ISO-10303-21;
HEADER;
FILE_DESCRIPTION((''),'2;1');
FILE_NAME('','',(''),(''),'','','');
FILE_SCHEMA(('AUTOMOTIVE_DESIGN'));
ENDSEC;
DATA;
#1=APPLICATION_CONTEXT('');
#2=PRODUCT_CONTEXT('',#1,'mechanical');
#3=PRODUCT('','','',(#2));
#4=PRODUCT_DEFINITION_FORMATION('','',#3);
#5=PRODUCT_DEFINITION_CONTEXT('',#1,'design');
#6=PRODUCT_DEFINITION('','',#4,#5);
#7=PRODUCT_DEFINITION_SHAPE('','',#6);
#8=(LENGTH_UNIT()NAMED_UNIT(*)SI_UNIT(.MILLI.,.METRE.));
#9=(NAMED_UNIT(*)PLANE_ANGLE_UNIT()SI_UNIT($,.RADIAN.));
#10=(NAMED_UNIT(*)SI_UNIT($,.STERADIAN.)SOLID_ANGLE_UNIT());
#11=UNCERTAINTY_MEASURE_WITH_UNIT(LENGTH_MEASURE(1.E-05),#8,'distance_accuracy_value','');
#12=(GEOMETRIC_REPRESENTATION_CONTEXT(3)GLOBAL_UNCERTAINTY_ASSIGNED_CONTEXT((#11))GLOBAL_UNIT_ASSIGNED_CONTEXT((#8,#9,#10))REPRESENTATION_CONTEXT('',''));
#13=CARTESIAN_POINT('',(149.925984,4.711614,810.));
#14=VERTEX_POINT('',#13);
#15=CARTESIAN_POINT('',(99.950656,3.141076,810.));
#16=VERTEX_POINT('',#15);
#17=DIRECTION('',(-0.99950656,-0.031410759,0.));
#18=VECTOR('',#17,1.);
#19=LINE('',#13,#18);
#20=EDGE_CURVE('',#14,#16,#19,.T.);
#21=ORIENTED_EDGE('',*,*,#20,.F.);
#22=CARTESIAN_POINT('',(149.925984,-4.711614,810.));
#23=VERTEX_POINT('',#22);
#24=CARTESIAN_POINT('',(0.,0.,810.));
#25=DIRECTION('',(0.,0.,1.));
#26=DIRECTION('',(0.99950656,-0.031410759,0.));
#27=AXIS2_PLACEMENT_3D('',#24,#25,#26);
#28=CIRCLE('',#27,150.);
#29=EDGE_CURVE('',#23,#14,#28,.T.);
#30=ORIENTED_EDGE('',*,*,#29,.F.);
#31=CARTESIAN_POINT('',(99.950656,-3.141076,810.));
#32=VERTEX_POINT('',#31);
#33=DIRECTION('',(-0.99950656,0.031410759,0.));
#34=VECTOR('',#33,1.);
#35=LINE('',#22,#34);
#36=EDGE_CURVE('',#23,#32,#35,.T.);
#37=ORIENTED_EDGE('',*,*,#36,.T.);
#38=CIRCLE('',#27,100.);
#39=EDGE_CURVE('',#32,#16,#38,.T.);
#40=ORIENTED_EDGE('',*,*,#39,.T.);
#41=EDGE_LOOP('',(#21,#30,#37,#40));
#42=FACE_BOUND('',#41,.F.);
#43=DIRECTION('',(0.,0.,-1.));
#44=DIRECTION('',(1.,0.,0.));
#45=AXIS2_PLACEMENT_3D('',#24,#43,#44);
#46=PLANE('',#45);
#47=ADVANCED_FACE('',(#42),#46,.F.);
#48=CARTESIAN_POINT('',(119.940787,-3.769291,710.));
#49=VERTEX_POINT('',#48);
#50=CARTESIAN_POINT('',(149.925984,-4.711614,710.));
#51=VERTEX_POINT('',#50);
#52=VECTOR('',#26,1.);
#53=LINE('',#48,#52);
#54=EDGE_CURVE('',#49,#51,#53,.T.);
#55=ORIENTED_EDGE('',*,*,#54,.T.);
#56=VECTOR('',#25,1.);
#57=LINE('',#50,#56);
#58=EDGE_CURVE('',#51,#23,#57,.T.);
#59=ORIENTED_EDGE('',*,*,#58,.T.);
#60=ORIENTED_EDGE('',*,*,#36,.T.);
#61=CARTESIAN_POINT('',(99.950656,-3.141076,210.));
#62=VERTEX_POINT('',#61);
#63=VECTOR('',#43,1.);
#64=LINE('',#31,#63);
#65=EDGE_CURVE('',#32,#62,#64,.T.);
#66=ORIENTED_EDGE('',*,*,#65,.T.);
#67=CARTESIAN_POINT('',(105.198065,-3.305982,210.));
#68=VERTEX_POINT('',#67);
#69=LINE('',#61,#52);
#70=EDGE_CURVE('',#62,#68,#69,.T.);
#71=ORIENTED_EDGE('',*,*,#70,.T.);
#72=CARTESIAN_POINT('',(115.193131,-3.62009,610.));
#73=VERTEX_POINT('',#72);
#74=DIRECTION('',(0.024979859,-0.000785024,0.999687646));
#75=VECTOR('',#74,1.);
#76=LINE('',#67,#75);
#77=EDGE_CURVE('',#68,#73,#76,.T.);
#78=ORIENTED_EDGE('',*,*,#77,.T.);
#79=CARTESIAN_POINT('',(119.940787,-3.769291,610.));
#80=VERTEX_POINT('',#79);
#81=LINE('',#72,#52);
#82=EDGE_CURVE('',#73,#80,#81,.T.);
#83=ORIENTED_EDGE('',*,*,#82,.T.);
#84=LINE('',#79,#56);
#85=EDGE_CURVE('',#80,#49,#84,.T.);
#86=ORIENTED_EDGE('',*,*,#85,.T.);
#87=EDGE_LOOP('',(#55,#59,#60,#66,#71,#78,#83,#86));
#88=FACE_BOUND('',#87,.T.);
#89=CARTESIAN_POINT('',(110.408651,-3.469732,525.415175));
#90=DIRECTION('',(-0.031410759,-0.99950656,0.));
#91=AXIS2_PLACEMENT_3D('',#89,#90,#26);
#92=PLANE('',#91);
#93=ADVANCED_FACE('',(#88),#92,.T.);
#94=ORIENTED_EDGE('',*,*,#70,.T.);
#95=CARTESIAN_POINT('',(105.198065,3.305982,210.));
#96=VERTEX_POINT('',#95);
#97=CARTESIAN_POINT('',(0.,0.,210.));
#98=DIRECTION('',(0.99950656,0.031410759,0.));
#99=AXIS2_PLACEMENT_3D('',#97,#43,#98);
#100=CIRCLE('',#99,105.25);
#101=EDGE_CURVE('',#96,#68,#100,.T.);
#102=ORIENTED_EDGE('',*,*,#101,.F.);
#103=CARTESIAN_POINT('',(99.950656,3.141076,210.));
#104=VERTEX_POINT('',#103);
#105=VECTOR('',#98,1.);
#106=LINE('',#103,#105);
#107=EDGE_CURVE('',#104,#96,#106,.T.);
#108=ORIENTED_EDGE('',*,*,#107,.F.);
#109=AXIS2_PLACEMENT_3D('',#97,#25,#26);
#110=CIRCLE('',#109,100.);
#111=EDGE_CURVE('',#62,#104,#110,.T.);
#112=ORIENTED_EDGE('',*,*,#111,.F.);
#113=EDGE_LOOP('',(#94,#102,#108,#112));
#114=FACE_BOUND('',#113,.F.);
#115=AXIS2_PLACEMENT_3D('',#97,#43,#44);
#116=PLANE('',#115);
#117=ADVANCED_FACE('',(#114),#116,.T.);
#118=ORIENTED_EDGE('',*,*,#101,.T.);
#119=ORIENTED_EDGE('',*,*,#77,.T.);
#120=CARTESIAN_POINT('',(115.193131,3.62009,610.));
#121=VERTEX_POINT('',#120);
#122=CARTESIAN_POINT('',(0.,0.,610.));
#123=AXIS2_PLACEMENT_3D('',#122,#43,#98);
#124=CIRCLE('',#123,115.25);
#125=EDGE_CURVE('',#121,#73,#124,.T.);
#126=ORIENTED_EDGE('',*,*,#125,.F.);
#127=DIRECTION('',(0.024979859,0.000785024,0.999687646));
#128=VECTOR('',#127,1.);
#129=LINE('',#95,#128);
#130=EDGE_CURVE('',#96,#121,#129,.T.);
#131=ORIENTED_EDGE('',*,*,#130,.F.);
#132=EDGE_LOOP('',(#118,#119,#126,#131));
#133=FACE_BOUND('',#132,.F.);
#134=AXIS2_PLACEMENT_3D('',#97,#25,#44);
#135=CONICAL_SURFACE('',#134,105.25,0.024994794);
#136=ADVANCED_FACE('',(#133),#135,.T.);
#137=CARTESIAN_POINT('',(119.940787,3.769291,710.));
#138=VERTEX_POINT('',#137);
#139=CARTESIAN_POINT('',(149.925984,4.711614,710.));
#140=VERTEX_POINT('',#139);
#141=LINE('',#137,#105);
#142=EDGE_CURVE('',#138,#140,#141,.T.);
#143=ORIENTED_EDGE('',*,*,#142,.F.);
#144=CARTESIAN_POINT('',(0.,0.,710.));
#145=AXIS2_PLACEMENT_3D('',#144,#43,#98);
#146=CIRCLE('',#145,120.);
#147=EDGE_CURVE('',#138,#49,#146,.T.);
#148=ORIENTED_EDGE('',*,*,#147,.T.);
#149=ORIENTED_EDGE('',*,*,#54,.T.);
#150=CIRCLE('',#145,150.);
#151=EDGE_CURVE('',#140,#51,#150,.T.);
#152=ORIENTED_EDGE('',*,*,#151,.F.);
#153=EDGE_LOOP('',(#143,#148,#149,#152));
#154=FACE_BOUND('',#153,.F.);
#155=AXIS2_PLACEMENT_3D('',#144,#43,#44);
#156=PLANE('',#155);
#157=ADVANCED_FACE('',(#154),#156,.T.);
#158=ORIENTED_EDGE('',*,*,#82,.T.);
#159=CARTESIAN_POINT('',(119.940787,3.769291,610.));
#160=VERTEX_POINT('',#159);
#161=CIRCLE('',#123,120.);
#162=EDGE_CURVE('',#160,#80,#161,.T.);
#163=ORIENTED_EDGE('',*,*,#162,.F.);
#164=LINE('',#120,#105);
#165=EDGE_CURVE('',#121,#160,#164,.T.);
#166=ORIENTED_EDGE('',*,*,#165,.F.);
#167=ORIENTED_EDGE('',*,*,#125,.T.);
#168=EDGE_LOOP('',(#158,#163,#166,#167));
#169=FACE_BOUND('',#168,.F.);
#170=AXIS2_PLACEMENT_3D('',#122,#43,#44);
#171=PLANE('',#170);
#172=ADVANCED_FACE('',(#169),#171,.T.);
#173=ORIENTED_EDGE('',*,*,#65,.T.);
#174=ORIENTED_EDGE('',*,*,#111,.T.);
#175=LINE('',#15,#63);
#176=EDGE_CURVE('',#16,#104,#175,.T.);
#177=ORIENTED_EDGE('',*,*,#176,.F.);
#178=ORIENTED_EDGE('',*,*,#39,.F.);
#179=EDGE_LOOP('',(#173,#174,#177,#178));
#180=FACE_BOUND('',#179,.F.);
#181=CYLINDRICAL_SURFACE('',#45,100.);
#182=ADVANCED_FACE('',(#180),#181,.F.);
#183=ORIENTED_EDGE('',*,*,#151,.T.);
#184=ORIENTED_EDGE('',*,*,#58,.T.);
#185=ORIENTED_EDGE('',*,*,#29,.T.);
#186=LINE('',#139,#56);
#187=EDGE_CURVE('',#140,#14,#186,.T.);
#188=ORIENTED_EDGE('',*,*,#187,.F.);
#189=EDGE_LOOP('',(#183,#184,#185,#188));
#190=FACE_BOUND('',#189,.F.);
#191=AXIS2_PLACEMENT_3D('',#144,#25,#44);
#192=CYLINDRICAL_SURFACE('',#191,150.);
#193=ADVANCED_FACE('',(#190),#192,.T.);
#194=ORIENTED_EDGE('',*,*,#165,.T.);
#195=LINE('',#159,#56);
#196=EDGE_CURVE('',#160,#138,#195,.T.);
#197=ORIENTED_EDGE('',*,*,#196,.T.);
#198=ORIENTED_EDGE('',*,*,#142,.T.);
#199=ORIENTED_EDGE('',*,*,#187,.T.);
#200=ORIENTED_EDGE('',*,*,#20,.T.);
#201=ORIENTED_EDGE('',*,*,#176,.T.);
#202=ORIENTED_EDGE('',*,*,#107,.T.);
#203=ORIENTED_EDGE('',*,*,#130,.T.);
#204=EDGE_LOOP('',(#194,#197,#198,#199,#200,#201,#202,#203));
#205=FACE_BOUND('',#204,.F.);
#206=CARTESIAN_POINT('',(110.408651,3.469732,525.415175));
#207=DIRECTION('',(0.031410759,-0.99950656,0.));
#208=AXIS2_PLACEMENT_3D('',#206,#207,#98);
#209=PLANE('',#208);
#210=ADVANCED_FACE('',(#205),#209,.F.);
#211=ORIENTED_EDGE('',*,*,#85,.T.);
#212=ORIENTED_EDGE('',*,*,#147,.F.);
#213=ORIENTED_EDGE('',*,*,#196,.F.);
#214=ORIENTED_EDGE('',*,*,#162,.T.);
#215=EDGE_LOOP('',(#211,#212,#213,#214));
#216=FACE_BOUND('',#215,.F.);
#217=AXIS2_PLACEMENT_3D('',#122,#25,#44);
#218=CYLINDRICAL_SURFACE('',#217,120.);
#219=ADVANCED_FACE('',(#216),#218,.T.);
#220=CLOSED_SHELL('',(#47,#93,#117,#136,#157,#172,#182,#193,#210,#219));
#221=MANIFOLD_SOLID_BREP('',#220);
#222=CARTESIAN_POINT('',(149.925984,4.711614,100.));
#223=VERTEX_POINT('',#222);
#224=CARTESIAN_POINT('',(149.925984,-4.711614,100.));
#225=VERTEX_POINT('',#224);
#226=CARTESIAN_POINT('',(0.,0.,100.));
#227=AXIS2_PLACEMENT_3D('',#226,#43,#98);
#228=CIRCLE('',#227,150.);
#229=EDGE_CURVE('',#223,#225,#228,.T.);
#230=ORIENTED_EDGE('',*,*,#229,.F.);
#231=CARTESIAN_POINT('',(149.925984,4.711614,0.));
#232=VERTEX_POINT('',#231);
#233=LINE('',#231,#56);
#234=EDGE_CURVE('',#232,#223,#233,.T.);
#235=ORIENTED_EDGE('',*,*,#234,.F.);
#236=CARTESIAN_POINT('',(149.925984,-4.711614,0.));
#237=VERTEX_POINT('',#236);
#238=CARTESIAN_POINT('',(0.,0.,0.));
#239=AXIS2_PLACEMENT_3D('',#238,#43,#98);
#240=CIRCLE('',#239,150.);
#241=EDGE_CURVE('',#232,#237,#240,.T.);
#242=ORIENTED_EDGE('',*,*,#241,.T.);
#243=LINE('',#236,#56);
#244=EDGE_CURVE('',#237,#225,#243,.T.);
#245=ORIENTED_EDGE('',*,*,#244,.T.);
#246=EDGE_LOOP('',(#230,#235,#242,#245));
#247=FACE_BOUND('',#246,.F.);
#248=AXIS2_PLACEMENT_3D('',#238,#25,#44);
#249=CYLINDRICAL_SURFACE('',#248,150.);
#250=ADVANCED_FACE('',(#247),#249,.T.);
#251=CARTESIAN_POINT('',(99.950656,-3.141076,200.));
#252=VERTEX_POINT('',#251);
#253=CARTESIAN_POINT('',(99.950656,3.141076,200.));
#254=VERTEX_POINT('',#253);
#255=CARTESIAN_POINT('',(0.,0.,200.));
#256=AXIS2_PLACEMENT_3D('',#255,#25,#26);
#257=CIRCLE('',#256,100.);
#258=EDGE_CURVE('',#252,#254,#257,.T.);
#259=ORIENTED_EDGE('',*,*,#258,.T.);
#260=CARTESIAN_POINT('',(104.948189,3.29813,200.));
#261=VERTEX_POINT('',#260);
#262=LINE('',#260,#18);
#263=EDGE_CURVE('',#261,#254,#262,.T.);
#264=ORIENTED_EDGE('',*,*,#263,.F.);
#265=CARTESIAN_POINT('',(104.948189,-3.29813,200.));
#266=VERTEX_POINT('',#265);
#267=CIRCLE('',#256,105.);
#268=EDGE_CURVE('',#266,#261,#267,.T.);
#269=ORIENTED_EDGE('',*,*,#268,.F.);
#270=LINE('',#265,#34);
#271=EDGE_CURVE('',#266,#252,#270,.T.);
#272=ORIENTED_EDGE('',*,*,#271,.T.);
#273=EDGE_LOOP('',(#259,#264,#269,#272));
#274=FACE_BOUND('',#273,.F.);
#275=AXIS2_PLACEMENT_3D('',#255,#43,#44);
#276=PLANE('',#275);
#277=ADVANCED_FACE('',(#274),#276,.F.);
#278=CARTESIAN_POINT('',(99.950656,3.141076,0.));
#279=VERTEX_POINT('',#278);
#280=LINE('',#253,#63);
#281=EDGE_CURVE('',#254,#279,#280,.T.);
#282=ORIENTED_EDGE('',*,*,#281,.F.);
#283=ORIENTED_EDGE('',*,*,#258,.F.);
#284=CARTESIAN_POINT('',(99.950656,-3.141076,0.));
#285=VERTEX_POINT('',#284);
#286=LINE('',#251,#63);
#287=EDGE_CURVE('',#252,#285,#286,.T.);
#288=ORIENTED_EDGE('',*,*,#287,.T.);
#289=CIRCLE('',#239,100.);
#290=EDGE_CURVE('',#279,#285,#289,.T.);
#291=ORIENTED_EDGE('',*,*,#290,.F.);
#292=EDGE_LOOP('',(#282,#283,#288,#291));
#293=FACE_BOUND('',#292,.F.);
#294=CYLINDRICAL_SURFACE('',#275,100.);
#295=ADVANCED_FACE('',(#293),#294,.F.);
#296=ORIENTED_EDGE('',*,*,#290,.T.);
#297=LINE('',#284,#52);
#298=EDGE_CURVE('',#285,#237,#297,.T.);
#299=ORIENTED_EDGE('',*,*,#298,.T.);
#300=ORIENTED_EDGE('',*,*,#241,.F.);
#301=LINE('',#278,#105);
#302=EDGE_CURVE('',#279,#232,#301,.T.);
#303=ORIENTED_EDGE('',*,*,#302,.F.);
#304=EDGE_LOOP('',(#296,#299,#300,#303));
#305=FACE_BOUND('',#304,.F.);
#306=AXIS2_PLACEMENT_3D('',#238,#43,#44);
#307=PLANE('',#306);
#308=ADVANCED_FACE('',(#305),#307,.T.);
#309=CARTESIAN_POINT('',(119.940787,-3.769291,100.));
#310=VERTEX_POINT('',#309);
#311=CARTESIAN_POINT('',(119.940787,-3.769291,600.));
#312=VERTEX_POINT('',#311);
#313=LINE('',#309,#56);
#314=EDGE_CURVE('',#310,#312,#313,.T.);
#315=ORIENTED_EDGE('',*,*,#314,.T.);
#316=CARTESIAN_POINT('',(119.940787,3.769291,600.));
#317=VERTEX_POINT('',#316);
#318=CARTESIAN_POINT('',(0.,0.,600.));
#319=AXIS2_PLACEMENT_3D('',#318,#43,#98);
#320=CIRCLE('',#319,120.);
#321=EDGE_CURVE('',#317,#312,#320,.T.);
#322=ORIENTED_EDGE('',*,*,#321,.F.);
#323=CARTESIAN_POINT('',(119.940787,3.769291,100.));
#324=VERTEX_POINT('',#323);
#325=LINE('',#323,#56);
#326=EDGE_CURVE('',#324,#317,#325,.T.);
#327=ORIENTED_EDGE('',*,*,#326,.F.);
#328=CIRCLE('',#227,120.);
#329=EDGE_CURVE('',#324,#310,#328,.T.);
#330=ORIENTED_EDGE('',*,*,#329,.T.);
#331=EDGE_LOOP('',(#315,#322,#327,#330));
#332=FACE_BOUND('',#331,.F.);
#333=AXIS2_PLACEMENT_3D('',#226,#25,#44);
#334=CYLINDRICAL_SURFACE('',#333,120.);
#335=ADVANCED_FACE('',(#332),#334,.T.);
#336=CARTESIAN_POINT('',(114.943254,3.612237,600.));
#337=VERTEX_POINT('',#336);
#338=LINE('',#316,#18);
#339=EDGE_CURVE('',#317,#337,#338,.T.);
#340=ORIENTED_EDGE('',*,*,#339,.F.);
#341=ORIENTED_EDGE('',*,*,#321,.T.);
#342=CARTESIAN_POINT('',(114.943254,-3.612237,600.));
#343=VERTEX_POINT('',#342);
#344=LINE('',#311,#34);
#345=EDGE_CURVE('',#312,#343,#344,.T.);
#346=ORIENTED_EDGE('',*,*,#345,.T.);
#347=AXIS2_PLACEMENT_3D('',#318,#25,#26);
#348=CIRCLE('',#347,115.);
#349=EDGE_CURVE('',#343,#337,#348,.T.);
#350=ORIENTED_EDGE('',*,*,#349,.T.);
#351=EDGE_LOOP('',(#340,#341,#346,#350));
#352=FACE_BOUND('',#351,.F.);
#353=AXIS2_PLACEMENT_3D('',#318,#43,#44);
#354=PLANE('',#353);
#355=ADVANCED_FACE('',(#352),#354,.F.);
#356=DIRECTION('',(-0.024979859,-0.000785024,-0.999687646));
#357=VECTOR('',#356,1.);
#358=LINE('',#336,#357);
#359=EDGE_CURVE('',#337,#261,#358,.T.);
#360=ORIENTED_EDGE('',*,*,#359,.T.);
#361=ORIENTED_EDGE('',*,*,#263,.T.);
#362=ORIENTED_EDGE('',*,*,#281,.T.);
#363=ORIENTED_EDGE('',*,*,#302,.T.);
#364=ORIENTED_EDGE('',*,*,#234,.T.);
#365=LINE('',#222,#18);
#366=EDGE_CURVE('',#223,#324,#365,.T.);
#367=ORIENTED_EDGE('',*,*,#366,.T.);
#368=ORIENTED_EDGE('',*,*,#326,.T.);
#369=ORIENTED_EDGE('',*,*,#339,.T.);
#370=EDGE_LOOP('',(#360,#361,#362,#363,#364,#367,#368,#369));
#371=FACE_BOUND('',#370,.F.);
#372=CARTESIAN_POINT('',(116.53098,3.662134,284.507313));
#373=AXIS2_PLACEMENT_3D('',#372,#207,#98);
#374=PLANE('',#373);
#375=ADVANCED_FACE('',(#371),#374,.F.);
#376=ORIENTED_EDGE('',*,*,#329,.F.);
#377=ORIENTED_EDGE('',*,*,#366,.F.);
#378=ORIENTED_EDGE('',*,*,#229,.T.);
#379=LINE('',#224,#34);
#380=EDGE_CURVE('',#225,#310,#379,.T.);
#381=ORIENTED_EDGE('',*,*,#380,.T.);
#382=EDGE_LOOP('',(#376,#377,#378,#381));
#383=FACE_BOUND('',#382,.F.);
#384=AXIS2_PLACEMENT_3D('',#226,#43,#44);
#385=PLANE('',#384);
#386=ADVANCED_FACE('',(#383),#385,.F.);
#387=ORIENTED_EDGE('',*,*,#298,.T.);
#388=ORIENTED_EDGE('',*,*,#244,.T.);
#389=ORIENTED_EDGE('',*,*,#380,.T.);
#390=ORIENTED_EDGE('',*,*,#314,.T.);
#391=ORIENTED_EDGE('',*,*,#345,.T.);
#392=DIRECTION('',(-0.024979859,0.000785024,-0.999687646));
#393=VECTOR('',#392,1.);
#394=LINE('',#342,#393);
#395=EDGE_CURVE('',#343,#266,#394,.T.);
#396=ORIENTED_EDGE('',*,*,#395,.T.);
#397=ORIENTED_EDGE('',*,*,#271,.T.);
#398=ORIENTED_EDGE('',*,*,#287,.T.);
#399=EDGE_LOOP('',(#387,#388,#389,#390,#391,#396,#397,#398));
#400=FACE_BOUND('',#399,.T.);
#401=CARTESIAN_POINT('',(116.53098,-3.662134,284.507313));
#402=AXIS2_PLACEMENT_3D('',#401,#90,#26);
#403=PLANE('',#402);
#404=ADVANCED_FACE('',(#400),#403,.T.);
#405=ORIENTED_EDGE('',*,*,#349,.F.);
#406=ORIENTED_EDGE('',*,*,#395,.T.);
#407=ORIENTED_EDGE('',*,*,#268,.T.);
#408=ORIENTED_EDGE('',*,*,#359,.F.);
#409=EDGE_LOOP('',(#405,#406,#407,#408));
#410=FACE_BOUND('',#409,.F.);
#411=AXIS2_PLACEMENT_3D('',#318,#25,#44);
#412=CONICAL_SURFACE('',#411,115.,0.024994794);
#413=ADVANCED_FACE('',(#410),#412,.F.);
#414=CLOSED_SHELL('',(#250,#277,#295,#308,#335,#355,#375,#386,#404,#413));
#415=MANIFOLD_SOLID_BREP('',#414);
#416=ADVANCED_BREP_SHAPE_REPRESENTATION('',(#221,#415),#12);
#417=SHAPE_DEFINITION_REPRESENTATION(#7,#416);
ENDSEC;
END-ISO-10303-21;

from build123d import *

# Parameters (mm, degrees)
F1_ANGLE = 3.6
F2_ANGLE = 3.6


with BuildPart() as f1:
    # F0 (on Front) → F1 (revolve, symmetric)
    with BuildSketch(Plane.XZ) as f1_sk:
        Polygon((100, 210), (105.25, 210), (115, 600), (115.25, 610), (120, 610), (120, 710), (150, 710), (150, 810), (100, 810), align=None)
    revolve(axis=Axis((0, 0, 405), (0, 0, 1)), revolution_arc=F1_ANGLE / 2)
    revolve(f1_sk.sketch, axis=Axis((0, 0, 405), (0, 0, -1)), revolution_arc=F1_ANGLE / 2)


with BuildPart() as f2:
    # F0 (on Front) → F2 (revolve, symmetric)
    with BuildSketch(Plane.XZ) as f2_sk:
        Polygon((100, 200), (100, 0), (150, 0), (150, 100), (120, 100), (120, 600), (115, 600), (105.25, 210), (105, 200), align=None)
    revolve(axis=Axis((0, 0, 405), (0, 0, 1)), revolution_arc=F2_ANGLE / 2)
    revolve(f2_sk.sketch, axis=Axis((0, 0, 405), (0, 0, -1)), revolution_arc=F2_ANGLE / 2)


solid = Compound([f1.part, f2.part])
